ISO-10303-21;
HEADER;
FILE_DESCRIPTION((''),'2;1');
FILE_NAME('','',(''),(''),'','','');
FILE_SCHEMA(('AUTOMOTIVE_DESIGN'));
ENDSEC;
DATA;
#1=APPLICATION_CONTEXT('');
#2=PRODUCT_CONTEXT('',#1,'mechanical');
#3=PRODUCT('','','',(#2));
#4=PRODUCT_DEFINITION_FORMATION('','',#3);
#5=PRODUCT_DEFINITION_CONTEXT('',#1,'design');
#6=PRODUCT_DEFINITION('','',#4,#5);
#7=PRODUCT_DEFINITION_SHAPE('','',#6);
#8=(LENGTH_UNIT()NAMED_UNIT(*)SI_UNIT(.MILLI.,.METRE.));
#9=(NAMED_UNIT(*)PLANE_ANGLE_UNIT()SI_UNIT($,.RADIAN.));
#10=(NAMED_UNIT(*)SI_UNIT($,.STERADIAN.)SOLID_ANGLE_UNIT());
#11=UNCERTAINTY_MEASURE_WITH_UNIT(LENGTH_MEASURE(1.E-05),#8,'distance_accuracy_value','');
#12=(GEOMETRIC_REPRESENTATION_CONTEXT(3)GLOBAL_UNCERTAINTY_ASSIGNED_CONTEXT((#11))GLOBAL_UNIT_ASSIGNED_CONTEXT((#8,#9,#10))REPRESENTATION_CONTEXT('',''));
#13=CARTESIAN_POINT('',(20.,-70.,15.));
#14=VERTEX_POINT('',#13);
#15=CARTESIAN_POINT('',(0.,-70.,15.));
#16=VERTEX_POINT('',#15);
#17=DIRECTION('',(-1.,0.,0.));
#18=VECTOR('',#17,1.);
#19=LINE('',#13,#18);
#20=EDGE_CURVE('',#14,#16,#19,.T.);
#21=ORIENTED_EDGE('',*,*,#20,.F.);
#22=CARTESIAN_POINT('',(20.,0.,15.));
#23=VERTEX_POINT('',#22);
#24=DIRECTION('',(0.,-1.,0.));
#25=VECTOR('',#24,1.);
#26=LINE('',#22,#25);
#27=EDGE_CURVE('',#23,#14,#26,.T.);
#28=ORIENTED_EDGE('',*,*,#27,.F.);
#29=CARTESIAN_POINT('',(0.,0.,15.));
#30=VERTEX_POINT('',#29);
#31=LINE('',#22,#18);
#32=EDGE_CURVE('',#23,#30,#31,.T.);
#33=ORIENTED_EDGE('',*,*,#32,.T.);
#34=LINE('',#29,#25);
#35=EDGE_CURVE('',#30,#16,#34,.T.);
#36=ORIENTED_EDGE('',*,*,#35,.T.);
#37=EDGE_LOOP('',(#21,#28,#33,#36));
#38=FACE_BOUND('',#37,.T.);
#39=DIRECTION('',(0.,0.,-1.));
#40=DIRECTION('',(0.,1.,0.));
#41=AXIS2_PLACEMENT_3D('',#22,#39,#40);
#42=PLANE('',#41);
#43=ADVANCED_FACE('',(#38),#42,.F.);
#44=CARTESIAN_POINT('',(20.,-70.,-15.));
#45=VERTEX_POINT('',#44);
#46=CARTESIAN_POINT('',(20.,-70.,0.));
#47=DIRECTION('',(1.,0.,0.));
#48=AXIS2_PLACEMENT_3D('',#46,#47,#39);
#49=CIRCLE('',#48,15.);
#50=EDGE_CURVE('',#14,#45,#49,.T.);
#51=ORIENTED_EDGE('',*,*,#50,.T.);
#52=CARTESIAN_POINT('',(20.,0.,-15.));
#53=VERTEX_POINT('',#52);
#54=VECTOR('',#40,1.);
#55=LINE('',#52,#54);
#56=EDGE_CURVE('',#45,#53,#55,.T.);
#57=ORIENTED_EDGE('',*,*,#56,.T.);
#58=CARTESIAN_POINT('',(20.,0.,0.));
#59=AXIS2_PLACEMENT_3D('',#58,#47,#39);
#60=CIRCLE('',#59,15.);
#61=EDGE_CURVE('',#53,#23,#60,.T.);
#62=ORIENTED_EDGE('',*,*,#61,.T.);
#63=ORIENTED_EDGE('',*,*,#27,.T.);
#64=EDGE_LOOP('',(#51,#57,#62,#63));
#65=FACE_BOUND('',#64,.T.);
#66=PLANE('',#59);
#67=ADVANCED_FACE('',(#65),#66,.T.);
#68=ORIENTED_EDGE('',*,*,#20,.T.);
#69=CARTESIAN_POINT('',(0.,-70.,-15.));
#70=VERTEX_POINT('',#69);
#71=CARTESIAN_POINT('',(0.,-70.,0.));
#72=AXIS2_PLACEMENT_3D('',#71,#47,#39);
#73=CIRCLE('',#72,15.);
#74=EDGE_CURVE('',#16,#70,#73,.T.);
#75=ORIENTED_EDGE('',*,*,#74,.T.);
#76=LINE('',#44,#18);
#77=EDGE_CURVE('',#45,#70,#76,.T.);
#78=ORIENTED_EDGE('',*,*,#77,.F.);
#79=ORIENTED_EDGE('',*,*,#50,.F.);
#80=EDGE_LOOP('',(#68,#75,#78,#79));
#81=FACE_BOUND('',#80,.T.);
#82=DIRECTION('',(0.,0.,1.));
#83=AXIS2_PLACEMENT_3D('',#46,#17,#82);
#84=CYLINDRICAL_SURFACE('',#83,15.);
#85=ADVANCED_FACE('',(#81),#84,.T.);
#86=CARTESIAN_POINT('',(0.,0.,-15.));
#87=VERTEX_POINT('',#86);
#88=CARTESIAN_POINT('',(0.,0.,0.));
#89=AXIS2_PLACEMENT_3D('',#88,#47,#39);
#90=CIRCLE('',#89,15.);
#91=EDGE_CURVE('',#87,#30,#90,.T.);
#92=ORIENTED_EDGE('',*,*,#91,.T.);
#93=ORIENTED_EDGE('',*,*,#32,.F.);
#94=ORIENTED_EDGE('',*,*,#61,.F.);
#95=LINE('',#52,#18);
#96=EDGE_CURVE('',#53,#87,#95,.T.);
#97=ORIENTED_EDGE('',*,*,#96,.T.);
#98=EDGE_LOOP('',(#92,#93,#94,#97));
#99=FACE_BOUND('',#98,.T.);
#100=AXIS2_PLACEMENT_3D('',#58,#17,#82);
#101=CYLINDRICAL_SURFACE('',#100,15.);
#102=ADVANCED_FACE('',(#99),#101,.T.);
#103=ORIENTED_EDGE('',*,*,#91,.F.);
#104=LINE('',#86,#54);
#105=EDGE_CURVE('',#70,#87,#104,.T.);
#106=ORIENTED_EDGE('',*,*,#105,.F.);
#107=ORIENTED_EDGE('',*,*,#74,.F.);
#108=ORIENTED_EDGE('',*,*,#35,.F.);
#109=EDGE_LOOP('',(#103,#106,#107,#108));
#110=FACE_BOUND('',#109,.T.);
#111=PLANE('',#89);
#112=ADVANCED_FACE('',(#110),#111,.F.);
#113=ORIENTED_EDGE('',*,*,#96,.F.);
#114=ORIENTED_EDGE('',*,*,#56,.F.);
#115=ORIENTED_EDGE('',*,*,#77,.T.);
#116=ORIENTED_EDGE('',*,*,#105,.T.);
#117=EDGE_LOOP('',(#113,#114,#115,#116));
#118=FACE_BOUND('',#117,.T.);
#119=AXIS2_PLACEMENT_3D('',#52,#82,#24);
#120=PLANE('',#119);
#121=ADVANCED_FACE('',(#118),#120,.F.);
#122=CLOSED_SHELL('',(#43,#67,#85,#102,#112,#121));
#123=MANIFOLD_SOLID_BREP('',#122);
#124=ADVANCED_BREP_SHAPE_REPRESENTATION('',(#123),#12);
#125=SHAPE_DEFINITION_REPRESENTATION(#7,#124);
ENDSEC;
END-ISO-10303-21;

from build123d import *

# Parameters (mm, degrees)
EXTRUDE_1_DEPTH = 20


with BuildPart() as part:
    # 草图1 → 凸台-拉伸1 (new body)
    with BuildSketch(Plane(origin=(0, 0, 0), x_dir=(0, 0, -1), z_dir=(1, 0, 0))):
        with BuildLine():
            Line((15, 0), (15, -70))
            ThreePointArc((15, -70), (0, -85), (-15, -70))
            Line((-15, -70), (-15, 0))
            ThreePointArc((-15, 0), (0, 15), (15, 0))
        make_face()
    extrude(amount=EXTRUDE_1_DEPTH)


solid = part.part
